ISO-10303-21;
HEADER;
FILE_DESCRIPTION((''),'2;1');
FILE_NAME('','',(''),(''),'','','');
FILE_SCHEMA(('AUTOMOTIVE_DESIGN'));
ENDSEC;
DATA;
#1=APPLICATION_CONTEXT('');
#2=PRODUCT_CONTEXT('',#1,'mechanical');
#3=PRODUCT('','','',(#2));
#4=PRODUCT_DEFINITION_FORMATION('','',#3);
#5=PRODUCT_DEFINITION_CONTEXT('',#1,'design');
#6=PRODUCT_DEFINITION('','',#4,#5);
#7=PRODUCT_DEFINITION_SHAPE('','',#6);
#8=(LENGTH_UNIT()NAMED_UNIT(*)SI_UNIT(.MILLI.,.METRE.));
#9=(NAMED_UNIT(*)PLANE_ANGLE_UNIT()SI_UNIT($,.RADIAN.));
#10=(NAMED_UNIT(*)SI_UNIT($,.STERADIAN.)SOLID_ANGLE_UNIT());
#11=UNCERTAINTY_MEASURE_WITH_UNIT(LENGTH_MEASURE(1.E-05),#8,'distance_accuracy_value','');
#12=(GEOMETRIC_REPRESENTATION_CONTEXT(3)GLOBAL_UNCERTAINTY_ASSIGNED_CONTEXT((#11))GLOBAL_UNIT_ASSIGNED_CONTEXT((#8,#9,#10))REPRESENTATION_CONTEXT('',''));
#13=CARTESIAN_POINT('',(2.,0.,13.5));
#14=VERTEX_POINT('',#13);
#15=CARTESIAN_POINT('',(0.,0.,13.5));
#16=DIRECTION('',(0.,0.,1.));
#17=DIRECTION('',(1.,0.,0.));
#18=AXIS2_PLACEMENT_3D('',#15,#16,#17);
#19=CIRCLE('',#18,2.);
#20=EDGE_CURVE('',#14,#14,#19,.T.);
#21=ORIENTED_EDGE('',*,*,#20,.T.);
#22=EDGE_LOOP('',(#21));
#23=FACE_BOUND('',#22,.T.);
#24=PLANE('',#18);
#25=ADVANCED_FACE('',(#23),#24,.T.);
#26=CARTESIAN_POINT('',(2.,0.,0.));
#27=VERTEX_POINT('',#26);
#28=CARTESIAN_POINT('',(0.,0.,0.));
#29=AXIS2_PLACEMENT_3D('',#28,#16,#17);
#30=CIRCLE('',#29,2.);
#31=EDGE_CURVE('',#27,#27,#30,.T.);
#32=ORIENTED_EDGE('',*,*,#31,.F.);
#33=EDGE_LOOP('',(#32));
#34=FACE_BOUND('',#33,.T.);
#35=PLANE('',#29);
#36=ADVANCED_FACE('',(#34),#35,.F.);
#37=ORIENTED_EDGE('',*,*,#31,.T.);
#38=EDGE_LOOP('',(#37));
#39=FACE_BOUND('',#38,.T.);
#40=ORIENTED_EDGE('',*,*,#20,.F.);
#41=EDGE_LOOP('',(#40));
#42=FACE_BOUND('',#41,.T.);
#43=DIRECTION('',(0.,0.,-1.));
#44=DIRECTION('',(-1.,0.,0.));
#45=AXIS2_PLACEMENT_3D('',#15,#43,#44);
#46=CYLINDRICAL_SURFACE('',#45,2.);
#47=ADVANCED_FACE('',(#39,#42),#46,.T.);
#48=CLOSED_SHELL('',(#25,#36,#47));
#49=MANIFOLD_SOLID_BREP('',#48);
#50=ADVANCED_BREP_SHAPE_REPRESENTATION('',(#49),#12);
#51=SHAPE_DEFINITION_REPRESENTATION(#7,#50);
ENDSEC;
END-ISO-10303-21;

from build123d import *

# Parameters (mm, degrees)
SKETCH_1_R      = 2
EXTRUDE_1_DEPTH = 13.5


with BuildPart() as part:
    # 草图1 → 凸台-拉伸1 (new body)
    with BuildSketch(Plane.XY):
        Circle(SKETCH_1_R)
    extrude(amount=EXTRUDE_1_DEPTH)


solid = part.part
